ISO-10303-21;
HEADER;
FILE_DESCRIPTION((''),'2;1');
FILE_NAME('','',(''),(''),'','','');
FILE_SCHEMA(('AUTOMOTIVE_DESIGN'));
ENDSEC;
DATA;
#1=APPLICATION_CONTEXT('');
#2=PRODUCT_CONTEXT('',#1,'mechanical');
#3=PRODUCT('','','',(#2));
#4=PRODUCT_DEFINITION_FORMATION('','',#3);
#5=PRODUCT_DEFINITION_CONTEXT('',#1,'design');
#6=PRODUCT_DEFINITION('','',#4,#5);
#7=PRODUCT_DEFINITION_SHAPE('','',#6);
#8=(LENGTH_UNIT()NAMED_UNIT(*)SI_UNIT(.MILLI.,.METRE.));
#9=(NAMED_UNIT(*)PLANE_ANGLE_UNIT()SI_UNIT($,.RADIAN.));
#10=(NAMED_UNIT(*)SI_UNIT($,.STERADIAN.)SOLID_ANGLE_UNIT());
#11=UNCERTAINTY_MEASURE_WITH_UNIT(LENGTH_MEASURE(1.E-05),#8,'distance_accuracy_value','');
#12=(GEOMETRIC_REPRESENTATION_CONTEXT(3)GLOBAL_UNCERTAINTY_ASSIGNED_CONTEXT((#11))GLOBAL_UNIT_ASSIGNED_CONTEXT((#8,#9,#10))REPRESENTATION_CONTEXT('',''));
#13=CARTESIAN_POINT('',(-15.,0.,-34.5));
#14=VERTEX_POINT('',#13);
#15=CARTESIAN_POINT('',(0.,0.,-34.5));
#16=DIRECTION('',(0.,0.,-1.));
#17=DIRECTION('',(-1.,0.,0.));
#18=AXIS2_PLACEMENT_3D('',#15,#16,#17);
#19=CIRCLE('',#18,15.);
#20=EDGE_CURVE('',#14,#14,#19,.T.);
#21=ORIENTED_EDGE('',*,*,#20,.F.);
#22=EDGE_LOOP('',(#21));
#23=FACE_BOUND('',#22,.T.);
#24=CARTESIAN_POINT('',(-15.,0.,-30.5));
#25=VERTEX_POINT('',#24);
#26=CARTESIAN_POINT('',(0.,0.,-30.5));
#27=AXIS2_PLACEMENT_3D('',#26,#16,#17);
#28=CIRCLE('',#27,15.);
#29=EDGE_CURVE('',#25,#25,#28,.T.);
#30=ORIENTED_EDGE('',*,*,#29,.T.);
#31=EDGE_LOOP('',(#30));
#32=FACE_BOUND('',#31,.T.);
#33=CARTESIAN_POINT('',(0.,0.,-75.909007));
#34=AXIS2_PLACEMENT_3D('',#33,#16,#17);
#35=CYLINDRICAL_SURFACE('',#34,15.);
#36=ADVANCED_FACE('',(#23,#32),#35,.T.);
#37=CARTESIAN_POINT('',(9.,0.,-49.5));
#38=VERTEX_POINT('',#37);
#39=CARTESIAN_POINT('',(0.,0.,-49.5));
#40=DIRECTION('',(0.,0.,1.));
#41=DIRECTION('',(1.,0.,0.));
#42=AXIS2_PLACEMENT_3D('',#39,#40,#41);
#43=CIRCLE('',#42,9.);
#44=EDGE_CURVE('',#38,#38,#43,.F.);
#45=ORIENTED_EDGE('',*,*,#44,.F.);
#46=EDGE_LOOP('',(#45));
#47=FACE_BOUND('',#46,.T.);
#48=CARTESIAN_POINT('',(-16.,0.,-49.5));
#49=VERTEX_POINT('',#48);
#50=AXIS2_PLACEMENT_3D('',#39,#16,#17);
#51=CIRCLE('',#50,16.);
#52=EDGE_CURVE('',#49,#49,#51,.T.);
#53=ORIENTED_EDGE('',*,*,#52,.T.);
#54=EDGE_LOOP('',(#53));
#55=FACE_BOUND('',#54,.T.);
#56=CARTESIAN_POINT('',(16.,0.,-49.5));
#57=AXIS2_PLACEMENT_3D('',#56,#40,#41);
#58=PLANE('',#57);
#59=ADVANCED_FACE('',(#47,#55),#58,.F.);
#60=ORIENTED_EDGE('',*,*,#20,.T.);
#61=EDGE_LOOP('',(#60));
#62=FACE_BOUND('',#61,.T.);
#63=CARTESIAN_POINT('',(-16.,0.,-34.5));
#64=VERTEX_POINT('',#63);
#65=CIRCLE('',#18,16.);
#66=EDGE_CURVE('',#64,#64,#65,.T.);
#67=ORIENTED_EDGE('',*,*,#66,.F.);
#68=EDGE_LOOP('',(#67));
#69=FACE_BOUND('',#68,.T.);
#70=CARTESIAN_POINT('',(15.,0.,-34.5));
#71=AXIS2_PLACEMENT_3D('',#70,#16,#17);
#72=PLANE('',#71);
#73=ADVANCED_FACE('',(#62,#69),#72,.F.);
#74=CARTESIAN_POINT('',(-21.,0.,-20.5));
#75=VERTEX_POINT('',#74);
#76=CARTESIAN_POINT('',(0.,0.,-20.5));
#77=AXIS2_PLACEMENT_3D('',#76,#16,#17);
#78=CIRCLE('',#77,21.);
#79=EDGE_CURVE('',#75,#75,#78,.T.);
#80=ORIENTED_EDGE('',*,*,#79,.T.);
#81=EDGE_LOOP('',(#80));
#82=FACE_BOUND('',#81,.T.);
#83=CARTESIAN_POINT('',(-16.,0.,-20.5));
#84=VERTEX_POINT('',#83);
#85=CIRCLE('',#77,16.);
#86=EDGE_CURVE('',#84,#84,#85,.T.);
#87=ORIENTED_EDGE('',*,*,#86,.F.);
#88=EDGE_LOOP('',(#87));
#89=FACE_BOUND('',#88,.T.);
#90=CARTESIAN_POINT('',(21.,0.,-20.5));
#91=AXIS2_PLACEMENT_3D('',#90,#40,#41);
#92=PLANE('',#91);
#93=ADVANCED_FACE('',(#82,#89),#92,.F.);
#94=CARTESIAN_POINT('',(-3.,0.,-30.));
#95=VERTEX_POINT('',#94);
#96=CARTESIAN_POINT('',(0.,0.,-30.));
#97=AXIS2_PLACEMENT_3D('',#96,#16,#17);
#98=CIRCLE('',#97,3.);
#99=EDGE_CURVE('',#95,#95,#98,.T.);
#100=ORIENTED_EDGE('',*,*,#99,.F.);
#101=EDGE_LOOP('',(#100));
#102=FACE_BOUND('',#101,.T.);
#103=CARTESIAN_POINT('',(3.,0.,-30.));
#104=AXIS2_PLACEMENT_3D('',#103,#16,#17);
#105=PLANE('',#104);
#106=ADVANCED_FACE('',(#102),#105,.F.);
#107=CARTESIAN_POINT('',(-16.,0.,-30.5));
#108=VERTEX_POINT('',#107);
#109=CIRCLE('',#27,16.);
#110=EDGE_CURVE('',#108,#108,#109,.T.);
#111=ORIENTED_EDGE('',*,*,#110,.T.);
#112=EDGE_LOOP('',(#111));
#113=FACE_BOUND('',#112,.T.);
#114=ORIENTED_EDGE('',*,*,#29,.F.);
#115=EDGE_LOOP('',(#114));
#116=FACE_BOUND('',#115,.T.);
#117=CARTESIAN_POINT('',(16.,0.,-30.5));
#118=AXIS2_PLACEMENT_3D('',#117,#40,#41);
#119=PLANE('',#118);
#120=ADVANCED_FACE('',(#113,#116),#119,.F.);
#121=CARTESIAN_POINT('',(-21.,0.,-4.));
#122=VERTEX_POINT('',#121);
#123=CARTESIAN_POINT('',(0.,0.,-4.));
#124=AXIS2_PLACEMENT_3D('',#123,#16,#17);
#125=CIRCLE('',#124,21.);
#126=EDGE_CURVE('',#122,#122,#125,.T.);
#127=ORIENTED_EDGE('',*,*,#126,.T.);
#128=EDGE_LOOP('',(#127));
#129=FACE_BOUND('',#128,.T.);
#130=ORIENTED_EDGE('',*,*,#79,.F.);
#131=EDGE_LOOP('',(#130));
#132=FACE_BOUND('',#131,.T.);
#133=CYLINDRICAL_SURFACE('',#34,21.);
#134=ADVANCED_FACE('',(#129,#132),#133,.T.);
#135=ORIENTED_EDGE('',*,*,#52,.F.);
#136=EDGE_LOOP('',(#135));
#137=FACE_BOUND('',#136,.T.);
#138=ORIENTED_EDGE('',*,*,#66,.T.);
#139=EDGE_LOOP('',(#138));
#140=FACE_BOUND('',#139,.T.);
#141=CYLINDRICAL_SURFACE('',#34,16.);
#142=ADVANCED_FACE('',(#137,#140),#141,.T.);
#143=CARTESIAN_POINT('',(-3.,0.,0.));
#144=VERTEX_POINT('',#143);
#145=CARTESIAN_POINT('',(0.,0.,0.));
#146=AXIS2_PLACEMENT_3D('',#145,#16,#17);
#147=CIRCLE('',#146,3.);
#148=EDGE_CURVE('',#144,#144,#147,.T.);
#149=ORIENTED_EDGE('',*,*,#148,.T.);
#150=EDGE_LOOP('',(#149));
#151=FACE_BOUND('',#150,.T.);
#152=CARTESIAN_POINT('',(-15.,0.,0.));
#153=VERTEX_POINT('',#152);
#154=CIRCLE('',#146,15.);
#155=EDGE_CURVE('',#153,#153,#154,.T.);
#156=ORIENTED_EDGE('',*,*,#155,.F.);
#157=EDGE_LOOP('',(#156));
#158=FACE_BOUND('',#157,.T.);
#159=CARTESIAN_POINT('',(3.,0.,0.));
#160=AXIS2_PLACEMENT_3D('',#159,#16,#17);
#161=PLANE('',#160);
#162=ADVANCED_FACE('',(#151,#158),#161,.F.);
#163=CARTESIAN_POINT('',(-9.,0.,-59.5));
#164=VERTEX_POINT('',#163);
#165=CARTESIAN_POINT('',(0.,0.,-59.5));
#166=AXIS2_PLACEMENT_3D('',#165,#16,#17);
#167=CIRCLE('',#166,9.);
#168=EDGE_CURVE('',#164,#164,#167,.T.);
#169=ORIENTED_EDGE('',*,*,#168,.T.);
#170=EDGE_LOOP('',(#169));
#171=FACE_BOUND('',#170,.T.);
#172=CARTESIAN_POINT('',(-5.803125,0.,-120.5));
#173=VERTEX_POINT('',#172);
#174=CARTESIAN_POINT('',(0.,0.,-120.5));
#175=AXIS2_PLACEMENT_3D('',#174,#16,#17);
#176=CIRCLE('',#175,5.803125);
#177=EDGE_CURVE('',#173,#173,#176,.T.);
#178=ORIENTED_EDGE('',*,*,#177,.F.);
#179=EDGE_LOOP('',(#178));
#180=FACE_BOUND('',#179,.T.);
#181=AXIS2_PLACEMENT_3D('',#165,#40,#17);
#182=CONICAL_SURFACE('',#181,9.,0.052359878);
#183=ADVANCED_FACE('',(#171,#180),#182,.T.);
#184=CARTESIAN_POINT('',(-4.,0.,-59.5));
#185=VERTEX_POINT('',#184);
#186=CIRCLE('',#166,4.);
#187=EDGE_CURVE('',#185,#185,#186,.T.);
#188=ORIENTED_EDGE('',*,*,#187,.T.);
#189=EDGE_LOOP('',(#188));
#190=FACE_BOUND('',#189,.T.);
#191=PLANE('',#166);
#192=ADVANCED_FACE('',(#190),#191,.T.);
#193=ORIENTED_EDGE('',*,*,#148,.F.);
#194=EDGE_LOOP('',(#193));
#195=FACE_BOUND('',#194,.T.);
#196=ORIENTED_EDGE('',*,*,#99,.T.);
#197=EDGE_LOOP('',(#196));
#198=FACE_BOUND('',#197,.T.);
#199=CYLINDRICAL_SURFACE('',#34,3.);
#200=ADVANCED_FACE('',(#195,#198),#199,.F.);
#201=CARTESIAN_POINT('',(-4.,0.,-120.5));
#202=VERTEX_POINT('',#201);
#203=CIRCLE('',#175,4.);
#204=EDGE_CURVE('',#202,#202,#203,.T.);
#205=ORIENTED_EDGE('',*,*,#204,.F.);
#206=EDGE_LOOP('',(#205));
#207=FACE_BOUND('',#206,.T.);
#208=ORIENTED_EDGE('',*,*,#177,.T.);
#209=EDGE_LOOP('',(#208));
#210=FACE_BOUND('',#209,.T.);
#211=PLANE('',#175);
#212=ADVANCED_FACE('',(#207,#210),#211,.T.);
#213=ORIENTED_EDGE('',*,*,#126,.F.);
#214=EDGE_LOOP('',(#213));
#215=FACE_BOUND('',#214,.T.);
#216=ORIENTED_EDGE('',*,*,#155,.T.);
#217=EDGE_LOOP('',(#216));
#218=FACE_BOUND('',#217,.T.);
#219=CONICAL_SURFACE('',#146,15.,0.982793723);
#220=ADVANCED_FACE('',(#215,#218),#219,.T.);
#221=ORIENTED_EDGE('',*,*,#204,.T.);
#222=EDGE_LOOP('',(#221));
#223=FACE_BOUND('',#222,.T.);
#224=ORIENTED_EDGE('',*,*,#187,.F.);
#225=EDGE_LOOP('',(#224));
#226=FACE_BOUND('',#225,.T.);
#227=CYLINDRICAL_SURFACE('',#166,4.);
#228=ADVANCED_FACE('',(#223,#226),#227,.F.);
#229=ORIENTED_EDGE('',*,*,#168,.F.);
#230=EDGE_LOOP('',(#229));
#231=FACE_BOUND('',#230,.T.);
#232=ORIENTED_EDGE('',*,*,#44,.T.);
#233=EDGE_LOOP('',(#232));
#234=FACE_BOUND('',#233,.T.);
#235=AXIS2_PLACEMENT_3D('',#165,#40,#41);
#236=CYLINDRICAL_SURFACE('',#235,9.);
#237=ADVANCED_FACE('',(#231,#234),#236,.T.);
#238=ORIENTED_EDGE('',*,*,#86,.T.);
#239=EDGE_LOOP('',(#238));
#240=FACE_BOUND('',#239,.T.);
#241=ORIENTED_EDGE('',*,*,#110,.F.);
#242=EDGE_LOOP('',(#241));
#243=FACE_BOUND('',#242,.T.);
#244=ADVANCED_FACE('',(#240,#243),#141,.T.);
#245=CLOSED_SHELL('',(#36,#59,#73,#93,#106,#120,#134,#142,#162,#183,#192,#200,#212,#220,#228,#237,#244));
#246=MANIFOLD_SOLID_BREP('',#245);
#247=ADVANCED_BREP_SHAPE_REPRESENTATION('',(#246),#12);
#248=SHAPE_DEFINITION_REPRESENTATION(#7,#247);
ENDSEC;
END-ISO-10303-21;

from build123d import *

# Parameters (mm, degrees)
SKETCH2_R           = 9
BOSS_EXTRUDE1_DEPTH = 10
SKETCH3_R           = 9
BOSS_EXTRUDE2_DEPTH = 61
BOSS_EXTRUDE2_TAPER = 3
SKETCH4_R           = 4
CUT_EXTRUDE1_DEPTH  = 61


with BuildPart() as part:
    # Sketch1 → Revolve1 (revolve)
    with BuildSketch(Plane(origin=(0, 0, 0), x_dir=(1, 0, 0), z_dir=(0, 1, 0))):
        Polygon((3, 0), (15, 0), (21, 4), (21, 20.5), (16, 20.5), (16, 30.5), (15, 30.5), (15, 34.5), (16, 34.5), (16, 49.5), (0, 49.5), (0, 30), (3, 30), align=None)
    revolve(axis=Axis((0, 0, -75.9090067), (0, 0, 1)))

    # Sketch2 → Boss-Extrude1 (add)
    with BuildSketch(Plane(origin=(0, 0, -49.5), x_dir=(-1, 0, 0), z_dir=(0, 0, -1))):
        Circle(SKETCH2_R)
    extrude(amount=BOSS_EXTRUDE1_DEPTH)

    # Sketch3 → Boss-Extrude2 (add)
    with BuildSketch(Plane(origin=(0, 0, -59.5), x_dir=(-1, 0, 0), z_dir=(0, 0, -1))):
        Circle(SKETCH3_R)
    extrude(amount=BOSS_EXTRUDE2_DEPTH, taper=BOSS_EXTRUDE2_TAPER)

    # Sketch4 → Cut-Extrude1 (cut)
    with BuildSketch(Plane(origin=(0, 0, -120.5), x_dir=(-1, 0, 0), z_dir=(0, 0, -1))):
        Circle(SKETCH4_R)
    extrude(amount=-CUT_EXTRUDE1_DEPTH, mode=Mode.SUBTRACT)


solid = part.part
